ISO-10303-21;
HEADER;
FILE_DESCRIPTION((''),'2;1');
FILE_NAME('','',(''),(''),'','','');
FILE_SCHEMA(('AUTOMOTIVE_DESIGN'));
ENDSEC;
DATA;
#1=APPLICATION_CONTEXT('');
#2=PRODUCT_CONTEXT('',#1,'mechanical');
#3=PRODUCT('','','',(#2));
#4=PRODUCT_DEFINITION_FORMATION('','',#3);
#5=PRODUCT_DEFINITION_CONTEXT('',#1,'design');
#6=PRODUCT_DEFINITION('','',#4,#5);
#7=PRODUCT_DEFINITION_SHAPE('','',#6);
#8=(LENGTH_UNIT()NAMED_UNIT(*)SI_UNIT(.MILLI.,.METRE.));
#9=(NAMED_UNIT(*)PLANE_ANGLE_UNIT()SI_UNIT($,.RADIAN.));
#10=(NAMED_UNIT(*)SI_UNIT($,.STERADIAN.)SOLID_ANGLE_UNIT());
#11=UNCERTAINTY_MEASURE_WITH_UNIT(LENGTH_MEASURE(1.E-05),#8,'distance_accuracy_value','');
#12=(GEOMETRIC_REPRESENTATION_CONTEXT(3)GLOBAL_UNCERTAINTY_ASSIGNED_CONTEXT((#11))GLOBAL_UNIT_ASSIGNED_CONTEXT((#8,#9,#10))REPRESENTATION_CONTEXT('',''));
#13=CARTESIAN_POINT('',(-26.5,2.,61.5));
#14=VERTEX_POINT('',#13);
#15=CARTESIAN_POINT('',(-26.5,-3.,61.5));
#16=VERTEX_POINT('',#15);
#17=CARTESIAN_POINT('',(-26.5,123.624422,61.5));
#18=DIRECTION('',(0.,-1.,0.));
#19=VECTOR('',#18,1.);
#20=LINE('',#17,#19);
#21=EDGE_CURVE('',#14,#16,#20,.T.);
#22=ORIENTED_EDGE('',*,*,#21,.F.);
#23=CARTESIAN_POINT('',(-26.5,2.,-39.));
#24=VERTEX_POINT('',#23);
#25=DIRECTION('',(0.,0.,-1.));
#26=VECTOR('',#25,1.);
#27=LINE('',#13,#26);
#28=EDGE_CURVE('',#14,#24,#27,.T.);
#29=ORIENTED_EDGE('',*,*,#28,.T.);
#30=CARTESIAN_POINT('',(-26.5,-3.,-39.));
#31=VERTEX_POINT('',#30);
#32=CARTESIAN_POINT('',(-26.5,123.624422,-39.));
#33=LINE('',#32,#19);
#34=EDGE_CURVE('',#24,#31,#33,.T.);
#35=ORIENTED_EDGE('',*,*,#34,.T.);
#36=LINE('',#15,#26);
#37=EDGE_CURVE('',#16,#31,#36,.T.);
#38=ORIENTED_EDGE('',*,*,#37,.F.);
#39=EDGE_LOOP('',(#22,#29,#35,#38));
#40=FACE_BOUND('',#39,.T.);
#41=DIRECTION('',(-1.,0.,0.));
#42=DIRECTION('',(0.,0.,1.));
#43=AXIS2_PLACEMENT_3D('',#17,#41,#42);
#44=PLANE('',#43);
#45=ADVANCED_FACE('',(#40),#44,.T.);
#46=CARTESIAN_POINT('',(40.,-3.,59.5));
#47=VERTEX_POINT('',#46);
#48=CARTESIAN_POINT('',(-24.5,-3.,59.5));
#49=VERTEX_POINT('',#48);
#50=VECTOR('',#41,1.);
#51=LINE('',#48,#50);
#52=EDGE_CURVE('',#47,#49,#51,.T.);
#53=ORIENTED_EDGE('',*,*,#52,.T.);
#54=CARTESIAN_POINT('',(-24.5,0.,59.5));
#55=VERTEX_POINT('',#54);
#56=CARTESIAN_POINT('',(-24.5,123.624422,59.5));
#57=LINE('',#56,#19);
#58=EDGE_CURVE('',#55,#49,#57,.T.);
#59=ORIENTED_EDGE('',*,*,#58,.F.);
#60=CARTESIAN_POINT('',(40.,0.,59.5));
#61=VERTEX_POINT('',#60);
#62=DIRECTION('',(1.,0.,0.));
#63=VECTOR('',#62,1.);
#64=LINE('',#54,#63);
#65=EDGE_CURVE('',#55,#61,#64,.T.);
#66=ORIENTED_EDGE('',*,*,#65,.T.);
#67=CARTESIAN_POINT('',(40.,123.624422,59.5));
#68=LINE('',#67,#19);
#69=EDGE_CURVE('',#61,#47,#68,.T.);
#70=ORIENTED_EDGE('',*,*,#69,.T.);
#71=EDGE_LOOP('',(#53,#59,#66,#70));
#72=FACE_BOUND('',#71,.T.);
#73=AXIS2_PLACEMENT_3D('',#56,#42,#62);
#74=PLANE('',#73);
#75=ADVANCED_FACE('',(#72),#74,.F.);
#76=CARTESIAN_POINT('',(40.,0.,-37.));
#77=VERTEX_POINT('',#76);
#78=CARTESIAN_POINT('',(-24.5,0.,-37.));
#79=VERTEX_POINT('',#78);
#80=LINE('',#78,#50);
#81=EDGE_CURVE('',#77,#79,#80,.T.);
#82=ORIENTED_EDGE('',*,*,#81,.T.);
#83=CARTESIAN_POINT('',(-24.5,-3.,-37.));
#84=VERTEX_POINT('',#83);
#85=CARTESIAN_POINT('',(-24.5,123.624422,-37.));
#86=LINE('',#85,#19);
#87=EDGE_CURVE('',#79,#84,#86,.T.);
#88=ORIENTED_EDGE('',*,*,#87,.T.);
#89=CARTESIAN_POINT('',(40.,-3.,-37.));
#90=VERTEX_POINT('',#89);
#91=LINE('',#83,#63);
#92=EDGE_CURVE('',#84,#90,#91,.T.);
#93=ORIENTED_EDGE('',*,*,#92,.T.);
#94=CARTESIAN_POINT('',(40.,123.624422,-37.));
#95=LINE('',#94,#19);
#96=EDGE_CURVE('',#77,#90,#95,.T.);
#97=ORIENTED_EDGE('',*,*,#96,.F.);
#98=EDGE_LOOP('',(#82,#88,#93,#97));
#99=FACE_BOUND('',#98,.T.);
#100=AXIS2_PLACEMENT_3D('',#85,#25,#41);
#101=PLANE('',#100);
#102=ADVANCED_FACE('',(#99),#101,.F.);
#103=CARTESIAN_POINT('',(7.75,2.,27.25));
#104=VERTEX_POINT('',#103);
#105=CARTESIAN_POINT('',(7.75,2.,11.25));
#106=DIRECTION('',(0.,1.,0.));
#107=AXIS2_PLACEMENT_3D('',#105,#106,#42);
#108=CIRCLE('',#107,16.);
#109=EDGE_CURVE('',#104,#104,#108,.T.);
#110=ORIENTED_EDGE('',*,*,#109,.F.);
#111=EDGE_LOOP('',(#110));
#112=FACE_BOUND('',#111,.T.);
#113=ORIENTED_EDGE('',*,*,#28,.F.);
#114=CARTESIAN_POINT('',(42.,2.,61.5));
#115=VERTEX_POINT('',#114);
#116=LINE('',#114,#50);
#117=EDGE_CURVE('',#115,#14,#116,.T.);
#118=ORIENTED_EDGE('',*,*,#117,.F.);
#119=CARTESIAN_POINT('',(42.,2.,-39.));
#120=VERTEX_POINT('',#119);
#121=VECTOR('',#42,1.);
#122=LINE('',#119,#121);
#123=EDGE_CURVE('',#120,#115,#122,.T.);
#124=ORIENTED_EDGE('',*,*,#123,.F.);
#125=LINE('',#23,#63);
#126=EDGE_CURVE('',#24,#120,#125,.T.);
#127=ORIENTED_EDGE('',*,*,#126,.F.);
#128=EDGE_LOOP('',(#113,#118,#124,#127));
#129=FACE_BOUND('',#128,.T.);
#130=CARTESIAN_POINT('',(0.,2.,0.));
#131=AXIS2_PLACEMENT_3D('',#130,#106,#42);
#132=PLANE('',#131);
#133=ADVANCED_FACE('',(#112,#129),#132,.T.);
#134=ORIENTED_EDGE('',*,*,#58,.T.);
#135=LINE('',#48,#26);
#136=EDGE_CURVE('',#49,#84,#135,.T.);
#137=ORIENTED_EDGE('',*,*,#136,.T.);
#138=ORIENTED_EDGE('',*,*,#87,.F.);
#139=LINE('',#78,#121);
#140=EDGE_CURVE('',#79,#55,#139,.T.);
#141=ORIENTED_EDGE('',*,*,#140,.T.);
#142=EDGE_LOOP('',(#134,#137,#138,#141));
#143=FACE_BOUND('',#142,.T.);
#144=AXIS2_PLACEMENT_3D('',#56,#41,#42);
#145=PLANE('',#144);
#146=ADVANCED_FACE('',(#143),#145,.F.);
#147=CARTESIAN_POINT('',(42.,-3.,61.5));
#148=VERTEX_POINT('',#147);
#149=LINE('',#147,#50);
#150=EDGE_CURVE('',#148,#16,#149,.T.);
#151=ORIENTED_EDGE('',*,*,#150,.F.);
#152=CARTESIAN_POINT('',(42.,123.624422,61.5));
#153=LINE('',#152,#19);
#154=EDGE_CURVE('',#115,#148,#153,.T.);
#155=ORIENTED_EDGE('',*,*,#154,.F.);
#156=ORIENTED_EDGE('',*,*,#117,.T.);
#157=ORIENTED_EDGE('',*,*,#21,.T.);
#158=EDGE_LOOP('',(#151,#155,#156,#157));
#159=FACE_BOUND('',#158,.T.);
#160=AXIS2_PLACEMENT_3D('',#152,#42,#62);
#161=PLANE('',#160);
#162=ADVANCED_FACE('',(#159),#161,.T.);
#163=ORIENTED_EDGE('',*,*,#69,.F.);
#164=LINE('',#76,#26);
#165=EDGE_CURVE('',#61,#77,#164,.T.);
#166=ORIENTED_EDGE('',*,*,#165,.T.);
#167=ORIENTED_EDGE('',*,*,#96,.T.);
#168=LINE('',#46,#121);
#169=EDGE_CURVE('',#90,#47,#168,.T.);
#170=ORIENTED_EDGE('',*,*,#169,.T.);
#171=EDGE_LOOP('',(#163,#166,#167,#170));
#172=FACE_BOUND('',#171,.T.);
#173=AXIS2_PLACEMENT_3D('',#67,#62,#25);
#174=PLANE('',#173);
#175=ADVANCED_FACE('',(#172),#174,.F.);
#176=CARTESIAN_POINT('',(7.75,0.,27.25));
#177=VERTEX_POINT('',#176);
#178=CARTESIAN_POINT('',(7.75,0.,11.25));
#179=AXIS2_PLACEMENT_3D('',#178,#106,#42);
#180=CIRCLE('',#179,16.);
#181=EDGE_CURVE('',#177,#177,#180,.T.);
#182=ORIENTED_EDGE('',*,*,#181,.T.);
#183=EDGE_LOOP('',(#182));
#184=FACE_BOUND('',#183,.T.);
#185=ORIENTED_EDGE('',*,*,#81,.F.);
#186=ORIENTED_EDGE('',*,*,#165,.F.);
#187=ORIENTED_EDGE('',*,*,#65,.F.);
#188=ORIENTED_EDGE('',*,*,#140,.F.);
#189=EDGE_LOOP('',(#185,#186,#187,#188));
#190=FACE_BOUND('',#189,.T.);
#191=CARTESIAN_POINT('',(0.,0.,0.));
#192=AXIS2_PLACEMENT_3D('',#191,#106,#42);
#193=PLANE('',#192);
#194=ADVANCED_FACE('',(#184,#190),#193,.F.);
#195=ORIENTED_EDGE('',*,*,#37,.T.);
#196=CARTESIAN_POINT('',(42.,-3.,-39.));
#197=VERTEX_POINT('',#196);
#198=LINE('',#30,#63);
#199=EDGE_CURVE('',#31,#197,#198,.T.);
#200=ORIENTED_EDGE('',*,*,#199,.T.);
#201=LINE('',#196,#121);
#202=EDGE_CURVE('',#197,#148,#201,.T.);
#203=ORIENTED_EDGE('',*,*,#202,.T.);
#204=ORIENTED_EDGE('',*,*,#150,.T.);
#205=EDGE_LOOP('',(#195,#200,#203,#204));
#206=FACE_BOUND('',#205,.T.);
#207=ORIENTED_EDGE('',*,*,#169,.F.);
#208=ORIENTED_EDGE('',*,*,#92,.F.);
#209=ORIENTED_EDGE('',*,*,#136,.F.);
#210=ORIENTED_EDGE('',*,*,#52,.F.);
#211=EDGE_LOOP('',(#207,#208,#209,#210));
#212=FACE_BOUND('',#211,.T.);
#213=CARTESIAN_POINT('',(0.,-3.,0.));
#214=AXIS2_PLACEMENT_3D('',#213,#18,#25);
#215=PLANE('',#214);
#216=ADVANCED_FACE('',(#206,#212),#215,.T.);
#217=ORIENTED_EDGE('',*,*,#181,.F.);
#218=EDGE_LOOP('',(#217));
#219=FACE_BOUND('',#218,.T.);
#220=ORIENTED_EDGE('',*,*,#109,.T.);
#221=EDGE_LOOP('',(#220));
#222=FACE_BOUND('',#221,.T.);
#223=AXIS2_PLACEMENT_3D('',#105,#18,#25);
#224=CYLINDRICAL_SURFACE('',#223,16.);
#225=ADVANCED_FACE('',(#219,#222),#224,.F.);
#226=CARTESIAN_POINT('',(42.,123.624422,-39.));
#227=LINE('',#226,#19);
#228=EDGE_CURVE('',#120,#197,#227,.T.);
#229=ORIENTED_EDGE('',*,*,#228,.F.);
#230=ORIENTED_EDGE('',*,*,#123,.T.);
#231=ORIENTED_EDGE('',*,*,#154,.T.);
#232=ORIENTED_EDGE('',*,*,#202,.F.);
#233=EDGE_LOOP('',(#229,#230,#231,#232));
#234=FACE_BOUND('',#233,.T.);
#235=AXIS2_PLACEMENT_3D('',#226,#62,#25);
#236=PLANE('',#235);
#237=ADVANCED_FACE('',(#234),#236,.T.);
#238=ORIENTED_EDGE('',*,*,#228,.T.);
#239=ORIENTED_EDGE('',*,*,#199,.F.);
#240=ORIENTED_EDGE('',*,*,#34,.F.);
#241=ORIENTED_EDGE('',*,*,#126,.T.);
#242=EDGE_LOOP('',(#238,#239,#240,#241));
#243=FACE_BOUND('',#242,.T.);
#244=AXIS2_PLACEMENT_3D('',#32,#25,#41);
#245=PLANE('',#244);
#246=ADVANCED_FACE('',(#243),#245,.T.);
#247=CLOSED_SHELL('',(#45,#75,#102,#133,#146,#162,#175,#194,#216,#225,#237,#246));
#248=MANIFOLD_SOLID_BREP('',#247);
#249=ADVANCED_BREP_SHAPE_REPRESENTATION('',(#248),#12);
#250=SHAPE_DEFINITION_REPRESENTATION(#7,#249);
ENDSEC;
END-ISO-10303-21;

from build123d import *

# Parameters (mm, degrees)
CROQUIS1_W                   = 64.5
CROQUIS1_H                   = 96.5
CROQUIS1_R                   = 16
SALIENTE_EXTRUIR4_DEPTH      = 2
CROQUIS2_W                   = 68.5
CROQUIS2_H                   = 100.5
CROQUIS2_W_2                 = 64.5
CROQUIS2_H_2                 = 96.5
SALIENTE_EXTRUIR5_DEPTH      = 3
SALIENTE_EXTRUIR5_DEPTH_BACK = 2


with BuildPart() as part:
    # Croquis1 → Saliente-Extruir4 (new body)
    with BuildSketch(Plane(origin=(0, 0, 0), x_dir=(1, 0, 0), z_dir=(0, 1, 0))):
        with Locations((7.75, -11.25)):
            Rectangle(CROQUIS1_W, CROQUIS1_H)
        with Locations((7.75, -11.25)):
            Circle(CROQUIS1_R, mode=Mode.SUBTRACT)
    extrude(amount=SALIENTE_EXTRUIR4_DEPTH)

    # Croquis2 → Saliente-Extruir5 (add, two sides)
    with BuildSketch(Plane.XZ) as saliente_extruir5_sk:
        with Locations((7.75, 11.25)):
            Rectangle(CROQUIS2_W, CROQUIS2_H)
        with Locations((7.75, 11.25)):
            Rectangle(CROQUIS2_W_2, CROQUIS2_H_2, mode=Mode.SUBTRACT)
    extrude(amount=SALIENTE_EXTRUIR5_DEPTH)
    extrude(saliente_extruir5_sk.sketch, amount=-SALIENTE_EXTRUIR5_DEPTH_BACK)


solid = part.part
